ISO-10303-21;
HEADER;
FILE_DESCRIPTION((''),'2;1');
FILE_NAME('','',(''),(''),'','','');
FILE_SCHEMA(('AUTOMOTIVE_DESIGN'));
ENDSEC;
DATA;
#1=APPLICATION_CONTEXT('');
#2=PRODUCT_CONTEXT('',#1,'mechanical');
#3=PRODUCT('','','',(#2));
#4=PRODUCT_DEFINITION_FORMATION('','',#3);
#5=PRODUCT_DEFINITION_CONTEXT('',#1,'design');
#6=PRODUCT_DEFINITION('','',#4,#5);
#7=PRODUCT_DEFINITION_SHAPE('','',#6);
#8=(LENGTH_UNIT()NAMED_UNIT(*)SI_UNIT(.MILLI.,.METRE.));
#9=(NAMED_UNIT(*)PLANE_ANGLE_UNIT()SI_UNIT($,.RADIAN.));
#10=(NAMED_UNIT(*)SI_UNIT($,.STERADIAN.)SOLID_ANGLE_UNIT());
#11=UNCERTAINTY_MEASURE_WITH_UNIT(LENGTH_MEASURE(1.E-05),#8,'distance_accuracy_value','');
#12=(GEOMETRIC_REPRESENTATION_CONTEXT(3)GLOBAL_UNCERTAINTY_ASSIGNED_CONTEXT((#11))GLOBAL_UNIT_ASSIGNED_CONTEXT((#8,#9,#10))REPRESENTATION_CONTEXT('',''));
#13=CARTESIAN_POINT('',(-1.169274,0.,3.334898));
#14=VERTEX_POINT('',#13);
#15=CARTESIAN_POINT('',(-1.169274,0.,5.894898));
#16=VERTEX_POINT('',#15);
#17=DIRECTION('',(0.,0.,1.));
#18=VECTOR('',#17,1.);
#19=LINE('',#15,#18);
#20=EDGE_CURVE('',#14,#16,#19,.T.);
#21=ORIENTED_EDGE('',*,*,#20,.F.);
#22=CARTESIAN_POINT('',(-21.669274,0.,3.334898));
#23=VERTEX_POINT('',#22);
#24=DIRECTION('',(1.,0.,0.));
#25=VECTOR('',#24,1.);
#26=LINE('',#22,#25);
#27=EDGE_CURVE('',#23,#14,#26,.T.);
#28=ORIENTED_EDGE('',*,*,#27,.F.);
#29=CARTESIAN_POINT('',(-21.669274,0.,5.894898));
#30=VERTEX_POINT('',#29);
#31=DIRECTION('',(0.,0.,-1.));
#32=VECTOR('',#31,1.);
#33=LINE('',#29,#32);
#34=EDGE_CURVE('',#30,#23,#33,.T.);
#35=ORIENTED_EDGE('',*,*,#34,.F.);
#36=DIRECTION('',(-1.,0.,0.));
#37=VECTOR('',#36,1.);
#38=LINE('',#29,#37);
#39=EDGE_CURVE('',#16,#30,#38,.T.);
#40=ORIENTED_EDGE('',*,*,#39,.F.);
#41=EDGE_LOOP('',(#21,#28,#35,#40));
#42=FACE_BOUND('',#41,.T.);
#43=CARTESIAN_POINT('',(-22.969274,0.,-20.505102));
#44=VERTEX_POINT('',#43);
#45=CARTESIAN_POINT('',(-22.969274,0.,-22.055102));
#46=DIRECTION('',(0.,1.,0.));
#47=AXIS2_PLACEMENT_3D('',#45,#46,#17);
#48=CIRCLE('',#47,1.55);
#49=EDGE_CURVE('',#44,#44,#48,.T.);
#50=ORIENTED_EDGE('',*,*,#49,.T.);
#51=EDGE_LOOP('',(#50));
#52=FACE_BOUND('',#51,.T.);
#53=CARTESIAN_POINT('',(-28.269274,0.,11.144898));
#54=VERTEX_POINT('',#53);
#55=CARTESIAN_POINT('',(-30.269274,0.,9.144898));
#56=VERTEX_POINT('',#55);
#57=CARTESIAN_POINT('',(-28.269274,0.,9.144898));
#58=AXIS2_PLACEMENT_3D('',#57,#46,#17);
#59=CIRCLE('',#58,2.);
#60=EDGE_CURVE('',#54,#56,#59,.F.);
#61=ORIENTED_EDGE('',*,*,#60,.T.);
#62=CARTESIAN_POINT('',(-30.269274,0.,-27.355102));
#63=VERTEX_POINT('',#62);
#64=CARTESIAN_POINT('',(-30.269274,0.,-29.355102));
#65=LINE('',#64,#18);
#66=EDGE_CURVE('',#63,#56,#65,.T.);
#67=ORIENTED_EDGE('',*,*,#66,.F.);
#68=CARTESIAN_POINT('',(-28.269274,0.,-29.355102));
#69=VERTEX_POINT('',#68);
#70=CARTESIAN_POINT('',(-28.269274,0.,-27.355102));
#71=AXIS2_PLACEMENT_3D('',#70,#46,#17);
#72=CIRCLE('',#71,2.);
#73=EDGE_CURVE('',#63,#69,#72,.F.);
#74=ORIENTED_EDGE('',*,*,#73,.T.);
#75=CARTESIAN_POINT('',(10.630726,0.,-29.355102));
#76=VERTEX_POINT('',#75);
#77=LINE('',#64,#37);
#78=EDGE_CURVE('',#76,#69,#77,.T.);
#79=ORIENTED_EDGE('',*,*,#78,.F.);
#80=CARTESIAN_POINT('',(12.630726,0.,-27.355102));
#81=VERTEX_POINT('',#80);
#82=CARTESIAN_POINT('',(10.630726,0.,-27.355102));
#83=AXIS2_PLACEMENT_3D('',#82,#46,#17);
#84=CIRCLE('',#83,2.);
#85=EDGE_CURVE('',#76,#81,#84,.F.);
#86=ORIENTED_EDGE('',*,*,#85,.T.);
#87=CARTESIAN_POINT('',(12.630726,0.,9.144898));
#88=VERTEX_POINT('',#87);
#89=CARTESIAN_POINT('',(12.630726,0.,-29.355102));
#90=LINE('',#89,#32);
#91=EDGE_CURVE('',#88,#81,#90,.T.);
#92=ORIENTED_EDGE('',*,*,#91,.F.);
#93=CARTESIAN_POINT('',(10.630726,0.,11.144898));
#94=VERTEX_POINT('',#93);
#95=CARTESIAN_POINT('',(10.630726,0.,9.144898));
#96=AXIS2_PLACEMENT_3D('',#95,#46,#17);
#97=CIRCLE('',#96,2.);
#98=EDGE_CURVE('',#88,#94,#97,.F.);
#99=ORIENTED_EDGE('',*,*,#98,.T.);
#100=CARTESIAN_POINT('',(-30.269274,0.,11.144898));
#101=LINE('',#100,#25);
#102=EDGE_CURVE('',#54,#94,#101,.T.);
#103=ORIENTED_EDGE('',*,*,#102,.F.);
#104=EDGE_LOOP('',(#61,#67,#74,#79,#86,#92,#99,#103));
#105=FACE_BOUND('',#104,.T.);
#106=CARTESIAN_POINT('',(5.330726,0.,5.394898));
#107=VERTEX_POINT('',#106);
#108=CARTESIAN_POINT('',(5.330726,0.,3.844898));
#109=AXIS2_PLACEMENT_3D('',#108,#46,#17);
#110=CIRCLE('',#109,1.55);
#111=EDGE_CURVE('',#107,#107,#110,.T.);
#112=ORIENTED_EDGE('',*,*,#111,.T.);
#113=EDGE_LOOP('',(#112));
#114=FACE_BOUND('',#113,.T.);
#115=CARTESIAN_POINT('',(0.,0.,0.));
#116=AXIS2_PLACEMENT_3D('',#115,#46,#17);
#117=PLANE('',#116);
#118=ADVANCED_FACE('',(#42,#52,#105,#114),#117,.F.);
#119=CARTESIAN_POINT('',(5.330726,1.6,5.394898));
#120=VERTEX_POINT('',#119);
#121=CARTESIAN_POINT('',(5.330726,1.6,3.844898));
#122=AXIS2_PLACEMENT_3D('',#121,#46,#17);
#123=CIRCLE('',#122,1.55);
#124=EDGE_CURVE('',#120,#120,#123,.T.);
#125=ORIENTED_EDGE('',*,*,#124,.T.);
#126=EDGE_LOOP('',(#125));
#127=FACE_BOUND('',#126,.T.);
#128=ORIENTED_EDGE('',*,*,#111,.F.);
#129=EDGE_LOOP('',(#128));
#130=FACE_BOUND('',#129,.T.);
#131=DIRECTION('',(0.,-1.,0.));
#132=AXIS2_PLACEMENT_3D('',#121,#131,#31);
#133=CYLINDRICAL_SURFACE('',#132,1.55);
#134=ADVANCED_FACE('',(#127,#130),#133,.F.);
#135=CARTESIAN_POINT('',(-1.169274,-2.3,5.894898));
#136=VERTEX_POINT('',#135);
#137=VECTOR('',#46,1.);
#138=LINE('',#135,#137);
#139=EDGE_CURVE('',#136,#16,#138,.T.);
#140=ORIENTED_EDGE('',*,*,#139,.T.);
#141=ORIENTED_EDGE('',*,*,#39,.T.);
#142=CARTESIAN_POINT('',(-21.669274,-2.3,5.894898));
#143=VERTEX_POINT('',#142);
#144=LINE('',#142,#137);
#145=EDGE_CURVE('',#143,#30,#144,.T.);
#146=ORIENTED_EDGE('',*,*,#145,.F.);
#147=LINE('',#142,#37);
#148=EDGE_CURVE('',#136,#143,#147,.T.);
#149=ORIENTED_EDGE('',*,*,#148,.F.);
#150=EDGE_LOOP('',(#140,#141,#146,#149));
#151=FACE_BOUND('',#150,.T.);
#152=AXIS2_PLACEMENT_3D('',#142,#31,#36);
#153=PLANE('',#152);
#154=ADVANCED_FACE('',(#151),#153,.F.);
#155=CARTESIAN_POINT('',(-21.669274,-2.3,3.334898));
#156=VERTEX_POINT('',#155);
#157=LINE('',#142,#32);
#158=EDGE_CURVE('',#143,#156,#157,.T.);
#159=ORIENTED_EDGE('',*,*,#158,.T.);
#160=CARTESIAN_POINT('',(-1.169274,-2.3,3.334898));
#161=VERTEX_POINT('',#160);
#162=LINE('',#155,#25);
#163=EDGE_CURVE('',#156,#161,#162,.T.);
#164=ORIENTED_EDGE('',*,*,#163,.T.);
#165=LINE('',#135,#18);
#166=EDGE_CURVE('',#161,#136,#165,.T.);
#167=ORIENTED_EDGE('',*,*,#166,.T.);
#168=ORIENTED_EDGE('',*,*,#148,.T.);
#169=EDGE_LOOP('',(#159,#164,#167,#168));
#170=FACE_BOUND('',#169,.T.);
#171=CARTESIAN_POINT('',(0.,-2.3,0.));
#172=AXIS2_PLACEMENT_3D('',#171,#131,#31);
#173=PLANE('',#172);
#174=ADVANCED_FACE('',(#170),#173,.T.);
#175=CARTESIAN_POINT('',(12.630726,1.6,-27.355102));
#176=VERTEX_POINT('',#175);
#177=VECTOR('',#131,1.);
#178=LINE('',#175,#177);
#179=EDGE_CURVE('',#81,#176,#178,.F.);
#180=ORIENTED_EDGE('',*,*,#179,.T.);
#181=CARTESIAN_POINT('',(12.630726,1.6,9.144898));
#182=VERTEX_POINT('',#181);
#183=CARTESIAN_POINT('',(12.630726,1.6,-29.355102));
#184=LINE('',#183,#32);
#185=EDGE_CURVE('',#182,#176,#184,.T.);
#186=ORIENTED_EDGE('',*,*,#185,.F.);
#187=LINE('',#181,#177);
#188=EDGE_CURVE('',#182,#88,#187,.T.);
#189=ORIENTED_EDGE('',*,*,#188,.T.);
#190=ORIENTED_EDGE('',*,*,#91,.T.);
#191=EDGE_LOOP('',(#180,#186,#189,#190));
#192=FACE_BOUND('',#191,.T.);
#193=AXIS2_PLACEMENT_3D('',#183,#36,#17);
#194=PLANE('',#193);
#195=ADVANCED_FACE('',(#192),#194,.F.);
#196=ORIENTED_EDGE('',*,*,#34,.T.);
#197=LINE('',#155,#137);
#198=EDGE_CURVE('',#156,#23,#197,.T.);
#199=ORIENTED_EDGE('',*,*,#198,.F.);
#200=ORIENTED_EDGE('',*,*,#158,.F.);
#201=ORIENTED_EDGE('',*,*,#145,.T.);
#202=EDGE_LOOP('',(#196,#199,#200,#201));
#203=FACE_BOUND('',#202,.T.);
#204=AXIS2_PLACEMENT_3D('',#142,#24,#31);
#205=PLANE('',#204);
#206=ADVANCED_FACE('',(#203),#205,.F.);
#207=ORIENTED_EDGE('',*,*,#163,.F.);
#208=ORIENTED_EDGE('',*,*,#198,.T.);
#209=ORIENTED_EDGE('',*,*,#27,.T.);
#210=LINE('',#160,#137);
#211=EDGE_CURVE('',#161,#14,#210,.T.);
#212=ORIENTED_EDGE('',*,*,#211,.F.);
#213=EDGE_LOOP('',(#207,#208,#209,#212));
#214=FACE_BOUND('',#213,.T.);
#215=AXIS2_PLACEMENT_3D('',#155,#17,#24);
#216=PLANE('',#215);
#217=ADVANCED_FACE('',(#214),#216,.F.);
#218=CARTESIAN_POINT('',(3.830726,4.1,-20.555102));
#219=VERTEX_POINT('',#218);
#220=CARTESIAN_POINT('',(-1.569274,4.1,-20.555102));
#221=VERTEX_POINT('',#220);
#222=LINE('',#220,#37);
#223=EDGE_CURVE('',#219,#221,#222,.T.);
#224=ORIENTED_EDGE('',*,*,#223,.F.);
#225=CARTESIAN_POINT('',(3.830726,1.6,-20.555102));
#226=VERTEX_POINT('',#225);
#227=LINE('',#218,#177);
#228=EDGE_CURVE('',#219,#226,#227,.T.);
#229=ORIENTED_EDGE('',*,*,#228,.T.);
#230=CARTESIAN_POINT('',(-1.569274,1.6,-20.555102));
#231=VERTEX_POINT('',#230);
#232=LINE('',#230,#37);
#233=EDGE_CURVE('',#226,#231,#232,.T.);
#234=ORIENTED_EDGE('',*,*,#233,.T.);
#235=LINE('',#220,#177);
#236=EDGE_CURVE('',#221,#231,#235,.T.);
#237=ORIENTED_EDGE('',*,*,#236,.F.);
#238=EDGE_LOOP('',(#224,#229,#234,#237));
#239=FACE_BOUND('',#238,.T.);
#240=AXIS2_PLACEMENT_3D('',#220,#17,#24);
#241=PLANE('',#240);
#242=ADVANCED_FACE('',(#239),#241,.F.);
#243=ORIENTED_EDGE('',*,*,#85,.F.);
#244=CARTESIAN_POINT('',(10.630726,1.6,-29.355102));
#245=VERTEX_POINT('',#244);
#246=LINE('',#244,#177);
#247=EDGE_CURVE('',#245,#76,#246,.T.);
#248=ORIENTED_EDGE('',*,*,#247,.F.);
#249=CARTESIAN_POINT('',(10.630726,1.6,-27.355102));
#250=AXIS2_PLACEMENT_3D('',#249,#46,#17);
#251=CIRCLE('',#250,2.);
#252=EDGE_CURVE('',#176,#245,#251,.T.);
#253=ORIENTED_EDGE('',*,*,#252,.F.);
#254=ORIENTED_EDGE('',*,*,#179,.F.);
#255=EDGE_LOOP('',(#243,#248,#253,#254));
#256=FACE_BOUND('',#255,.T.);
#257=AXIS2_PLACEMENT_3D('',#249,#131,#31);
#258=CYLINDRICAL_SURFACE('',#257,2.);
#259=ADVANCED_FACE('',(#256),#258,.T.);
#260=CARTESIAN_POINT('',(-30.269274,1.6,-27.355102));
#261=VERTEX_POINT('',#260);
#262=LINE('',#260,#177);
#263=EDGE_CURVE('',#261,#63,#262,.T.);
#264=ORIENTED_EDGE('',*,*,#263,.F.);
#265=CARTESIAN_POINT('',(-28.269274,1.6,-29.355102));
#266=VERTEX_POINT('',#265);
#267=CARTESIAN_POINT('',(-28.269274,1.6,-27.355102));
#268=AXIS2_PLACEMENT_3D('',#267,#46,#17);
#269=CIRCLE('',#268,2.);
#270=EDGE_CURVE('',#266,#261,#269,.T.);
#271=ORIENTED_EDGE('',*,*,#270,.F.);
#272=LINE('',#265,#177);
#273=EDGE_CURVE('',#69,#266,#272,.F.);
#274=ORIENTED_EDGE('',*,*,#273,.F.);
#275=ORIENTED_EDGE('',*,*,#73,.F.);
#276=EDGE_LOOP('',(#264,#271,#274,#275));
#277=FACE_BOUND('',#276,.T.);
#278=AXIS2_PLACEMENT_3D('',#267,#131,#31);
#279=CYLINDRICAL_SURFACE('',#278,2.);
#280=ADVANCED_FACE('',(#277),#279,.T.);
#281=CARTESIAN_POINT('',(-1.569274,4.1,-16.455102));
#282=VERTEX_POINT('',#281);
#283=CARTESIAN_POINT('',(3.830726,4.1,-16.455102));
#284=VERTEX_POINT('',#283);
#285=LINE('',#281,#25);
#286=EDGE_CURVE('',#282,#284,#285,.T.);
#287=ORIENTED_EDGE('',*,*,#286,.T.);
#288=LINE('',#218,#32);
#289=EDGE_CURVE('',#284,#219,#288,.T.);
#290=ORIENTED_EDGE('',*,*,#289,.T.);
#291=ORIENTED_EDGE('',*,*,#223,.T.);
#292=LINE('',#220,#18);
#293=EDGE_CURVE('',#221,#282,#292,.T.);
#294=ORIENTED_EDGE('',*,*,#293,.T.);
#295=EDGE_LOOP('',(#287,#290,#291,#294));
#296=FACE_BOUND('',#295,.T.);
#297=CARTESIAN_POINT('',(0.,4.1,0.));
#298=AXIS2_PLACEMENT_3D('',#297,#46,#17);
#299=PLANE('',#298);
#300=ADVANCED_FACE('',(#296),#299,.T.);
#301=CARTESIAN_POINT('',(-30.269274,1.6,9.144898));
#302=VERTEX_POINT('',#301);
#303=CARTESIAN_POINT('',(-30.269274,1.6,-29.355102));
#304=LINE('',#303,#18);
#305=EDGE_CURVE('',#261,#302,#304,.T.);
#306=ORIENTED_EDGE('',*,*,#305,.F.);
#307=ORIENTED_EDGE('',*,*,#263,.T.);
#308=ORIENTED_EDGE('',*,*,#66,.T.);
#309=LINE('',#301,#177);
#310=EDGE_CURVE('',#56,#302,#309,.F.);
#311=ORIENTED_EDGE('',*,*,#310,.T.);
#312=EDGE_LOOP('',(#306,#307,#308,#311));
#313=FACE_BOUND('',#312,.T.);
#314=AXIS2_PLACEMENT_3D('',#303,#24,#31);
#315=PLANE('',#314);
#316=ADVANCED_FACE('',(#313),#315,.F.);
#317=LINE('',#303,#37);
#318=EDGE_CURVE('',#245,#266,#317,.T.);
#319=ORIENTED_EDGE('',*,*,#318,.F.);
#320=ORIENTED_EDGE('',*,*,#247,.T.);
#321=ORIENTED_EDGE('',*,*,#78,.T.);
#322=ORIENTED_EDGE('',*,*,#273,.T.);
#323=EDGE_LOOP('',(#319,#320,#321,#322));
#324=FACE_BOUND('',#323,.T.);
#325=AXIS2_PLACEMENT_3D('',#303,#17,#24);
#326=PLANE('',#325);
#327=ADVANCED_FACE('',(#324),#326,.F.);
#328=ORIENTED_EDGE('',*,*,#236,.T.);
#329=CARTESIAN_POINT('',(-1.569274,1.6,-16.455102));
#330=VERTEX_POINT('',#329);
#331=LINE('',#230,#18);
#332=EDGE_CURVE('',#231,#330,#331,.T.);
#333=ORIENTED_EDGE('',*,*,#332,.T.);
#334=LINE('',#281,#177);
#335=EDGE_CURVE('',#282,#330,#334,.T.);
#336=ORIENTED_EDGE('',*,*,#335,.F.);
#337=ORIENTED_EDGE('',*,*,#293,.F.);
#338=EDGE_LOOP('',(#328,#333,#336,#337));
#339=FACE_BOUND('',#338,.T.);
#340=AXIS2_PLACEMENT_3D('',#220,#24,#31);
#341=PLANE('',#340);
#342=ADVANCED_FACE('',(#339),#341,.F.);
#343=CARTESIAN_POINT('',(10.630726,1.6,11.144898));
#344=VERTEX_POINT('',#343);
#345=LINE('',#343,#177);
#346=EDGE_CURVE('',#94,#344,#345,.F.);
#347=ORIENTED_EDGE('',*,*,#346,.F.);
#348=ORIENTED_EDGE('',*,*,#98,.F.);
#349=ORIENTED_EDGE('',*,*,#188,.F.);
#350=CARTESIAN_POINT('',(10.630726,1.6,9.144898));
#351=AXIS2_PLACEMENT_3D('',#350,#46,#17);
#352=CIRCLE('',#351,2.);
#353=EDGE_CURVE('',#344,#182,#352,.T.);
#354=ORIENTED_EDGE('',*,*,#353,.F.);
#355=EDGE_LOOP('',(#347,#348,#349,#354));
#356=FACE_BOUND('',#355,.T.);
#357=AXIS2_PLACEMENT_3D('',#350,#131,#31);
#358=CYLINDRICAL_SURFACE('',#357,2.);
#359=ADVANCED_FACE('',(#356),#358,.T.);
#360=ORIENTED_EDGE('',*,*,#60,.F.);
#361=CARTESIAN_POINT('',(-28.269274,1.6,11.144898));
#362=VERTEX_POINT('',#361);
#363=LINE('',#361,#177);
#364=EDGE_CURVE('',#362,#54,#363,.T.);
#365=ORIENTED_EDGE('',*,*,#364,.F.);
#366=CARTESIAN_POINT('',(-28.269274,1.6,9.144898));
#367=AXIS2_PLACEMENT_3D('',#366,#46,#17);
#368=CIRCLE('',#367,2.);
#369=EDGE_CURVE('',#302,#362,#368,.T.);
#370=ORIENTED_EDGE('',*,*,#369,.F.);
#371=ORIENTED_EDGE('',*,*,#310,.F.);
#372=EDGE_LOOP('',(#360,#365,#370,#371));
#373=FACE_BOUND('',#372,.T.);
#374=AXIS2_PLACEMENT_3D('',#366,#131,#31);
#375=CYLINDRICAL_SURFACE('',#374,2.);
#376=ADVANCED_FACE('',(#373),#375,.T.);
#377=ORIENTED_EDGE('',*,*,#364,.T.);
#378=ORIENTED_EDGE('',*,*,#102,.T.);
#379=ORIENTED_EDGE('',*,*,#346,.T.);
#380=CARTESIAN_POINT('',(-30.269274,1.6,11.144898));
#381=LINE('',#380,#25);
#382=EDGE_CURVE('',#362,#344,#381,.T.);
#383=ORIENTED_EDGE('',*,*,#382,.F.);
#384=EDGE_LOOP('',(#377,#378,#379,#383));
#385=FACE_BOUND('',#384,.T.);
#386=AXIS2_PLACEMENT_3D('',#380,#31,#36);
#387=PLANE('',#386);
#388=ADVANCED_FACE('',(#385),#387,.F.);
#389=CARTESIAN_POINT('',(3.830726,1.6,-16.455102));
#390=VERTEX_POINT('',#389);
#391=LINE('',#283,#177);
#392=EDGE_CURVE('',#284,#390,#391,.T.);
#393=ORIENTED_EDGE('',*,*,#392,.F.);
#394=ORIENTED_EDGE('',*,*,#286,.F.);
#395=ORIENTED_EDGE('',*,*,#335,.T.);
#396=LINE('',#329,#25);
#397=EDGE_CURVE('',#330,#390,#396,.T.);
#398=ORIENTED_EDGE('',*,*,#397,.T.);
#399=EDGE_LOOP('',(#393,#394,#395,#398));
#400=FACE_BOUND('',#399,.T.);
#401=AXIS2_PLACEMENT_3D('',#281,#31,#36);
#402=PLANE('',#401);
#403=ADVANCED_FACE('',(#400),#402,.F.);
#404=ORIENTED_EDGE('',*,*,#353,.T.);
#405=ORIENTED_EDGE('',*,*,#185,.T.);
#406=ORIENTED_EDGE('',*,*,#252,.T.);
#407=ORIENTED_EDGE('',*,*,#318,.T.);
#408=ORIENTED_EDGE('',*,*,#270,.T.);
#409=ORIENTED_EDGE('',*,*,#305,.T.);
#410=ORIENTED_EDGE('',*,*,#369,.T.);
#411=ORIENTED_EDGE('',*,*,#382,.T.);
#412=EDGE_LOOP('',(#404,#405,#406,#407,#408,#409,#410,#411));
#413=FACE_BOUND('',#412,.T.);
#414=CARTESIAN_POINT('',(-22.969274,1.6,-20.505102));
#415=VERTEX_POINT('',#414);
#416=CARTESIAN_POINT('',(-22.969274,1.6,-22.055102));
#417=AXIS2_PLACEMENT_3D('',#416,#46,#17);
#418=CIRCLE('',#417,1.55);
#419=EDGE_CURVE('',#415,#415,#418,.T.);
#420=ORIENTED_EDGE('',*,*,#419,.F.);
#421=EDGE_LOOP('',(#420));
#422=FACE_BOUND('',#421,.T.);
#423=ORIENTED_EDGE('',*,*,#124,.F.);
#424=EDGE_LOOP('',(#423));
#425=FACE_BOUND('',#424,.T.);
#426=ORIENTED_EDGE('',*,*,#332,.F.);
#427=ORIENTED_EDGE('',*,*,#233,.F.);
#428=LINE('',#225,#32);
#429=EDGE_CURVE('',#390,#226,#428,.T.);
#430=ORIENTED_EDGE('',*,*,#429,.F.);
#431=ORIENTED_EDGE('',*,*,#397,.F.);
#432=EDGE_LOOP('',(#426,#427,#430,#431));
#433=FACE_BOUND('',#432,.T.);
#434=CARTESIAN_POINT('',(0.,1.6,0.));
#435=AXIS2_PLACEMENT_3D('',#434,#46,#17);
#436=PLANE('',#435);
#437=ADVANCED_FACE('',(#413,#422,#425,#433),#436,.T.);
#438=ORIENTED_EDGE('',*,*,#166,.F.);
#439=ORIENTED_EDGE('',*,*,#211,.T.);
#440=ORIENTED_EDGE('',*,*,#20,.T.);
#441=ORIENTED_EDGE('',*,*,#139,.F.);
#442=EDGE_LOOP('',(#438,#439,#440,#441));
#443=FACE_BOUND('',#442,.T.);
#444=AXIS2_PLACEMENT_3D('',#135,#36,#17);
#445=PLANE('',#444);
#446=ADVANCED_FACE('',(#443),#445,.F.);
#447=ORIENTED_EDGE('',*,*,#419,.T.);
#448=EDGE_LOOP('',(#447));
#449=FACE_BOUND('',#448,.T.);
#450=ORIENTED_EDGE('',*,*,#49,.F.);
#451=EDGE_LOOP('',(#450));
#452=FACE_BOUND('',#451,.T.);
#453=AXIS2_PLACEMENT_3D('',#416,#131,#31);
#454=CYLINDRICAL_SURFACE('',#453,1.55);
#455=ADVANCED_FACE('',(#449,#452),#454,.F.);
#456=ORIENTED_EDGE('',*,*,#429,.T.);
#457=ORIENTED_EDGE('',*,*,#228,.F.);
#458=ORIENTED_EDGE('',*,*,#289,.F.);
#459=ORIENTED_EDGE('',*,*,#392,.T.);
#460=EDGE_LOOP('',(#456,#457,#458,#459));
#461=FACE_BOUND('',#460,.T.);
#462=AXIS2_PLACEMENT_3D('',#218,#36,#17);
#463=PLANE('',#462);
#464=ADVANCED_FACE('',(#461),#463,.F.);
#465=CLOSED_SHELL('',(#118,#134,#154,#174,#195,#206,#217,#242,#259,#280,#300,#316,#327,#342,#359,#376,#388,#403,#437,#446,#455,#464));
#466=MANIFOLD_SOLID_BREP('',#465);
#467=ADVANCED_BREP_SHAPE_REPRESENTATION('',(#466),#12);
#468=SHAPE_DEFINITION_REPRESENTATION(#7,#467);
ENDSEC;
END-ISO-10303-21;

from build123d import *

# Parameters (mm, degrees)
SKETCH1_W           = 42.9
SKETCH1_H           = 40.5
SKETCH1_R           = 1.55
BOSS_EXTRUDE1_DEPTH = 1.6
FILLET1_R           = 2
SKETCH2_W           = 5.4
SKETCH2_H           = 4.1
BOSS_EXTRUDE2_DEPTH = 2.5
SKETCH3_W           = 20.5
SKETCH3_H           = 2.56
BOSS_EXTRUDE3_DEPTH = 2.3


with BuildPart() as part:
    # Sketch1 → Boss-Extrude1 (new body)
    with BuildSketch(Plane(origin=(0, 0, 0), x_dir=(1, 0, 0), z_dir=(0, 1, 0))):
        with Locations((-8.819274306, 9.105101592)):
            Rectangle(SKETCH1_W, SKETCH1_H)
        with Locations((-22.969274306, 22.055101592)):
            Circle(SKETCH1_R, mode=Mode.SUBTRACT)
        with Locations((5.330725694, -3.844898408)):
            Circle(SKETCH1_R, mode=Mode.SUBTRACT)
    extrude(amount=BOSS_EXTRUDE1_DEPTH)

    # Fillet1
    fillet1_edges = [part.edges().sort_by_distance(p)[0] for p in [
        (-30.269274306, 0.8, -29.355101592),
        (12.630725694, 0.8, -29.355101592),
        (12.630725694, 0.8, 11.144898408),
        (-30.269274306, 0.8, 11.144898408),
    ]]
    fillet(fillet1_edges, radius=FILLET1_R)

    # Sketch2 → Boss-Extrude2 (add)
    with BuildSketch(Plane(origin=(0, 1.6, 0), x_dir=(1, 0, 0), z_dir=(0, 1, 0))):
        with Locations((1.130725694, 18.505101592)):
            Rectangle(SKETCH2_W, SKETCH2_H)
    extrude(amount=BOSS_EXTRUDE2_DEPTH)

    # Sketch3 → Boss-Extrude3 (add)
    with BuildSketch(Plane.XZ):
        with Locations((-11.419274306, 4.614898408)):
            Rectangle(SKETCH3_W, SKETCH3_H)
    extrude(amount=BOSS_EXTRUDE3_DEPTH)


solid = part.part
